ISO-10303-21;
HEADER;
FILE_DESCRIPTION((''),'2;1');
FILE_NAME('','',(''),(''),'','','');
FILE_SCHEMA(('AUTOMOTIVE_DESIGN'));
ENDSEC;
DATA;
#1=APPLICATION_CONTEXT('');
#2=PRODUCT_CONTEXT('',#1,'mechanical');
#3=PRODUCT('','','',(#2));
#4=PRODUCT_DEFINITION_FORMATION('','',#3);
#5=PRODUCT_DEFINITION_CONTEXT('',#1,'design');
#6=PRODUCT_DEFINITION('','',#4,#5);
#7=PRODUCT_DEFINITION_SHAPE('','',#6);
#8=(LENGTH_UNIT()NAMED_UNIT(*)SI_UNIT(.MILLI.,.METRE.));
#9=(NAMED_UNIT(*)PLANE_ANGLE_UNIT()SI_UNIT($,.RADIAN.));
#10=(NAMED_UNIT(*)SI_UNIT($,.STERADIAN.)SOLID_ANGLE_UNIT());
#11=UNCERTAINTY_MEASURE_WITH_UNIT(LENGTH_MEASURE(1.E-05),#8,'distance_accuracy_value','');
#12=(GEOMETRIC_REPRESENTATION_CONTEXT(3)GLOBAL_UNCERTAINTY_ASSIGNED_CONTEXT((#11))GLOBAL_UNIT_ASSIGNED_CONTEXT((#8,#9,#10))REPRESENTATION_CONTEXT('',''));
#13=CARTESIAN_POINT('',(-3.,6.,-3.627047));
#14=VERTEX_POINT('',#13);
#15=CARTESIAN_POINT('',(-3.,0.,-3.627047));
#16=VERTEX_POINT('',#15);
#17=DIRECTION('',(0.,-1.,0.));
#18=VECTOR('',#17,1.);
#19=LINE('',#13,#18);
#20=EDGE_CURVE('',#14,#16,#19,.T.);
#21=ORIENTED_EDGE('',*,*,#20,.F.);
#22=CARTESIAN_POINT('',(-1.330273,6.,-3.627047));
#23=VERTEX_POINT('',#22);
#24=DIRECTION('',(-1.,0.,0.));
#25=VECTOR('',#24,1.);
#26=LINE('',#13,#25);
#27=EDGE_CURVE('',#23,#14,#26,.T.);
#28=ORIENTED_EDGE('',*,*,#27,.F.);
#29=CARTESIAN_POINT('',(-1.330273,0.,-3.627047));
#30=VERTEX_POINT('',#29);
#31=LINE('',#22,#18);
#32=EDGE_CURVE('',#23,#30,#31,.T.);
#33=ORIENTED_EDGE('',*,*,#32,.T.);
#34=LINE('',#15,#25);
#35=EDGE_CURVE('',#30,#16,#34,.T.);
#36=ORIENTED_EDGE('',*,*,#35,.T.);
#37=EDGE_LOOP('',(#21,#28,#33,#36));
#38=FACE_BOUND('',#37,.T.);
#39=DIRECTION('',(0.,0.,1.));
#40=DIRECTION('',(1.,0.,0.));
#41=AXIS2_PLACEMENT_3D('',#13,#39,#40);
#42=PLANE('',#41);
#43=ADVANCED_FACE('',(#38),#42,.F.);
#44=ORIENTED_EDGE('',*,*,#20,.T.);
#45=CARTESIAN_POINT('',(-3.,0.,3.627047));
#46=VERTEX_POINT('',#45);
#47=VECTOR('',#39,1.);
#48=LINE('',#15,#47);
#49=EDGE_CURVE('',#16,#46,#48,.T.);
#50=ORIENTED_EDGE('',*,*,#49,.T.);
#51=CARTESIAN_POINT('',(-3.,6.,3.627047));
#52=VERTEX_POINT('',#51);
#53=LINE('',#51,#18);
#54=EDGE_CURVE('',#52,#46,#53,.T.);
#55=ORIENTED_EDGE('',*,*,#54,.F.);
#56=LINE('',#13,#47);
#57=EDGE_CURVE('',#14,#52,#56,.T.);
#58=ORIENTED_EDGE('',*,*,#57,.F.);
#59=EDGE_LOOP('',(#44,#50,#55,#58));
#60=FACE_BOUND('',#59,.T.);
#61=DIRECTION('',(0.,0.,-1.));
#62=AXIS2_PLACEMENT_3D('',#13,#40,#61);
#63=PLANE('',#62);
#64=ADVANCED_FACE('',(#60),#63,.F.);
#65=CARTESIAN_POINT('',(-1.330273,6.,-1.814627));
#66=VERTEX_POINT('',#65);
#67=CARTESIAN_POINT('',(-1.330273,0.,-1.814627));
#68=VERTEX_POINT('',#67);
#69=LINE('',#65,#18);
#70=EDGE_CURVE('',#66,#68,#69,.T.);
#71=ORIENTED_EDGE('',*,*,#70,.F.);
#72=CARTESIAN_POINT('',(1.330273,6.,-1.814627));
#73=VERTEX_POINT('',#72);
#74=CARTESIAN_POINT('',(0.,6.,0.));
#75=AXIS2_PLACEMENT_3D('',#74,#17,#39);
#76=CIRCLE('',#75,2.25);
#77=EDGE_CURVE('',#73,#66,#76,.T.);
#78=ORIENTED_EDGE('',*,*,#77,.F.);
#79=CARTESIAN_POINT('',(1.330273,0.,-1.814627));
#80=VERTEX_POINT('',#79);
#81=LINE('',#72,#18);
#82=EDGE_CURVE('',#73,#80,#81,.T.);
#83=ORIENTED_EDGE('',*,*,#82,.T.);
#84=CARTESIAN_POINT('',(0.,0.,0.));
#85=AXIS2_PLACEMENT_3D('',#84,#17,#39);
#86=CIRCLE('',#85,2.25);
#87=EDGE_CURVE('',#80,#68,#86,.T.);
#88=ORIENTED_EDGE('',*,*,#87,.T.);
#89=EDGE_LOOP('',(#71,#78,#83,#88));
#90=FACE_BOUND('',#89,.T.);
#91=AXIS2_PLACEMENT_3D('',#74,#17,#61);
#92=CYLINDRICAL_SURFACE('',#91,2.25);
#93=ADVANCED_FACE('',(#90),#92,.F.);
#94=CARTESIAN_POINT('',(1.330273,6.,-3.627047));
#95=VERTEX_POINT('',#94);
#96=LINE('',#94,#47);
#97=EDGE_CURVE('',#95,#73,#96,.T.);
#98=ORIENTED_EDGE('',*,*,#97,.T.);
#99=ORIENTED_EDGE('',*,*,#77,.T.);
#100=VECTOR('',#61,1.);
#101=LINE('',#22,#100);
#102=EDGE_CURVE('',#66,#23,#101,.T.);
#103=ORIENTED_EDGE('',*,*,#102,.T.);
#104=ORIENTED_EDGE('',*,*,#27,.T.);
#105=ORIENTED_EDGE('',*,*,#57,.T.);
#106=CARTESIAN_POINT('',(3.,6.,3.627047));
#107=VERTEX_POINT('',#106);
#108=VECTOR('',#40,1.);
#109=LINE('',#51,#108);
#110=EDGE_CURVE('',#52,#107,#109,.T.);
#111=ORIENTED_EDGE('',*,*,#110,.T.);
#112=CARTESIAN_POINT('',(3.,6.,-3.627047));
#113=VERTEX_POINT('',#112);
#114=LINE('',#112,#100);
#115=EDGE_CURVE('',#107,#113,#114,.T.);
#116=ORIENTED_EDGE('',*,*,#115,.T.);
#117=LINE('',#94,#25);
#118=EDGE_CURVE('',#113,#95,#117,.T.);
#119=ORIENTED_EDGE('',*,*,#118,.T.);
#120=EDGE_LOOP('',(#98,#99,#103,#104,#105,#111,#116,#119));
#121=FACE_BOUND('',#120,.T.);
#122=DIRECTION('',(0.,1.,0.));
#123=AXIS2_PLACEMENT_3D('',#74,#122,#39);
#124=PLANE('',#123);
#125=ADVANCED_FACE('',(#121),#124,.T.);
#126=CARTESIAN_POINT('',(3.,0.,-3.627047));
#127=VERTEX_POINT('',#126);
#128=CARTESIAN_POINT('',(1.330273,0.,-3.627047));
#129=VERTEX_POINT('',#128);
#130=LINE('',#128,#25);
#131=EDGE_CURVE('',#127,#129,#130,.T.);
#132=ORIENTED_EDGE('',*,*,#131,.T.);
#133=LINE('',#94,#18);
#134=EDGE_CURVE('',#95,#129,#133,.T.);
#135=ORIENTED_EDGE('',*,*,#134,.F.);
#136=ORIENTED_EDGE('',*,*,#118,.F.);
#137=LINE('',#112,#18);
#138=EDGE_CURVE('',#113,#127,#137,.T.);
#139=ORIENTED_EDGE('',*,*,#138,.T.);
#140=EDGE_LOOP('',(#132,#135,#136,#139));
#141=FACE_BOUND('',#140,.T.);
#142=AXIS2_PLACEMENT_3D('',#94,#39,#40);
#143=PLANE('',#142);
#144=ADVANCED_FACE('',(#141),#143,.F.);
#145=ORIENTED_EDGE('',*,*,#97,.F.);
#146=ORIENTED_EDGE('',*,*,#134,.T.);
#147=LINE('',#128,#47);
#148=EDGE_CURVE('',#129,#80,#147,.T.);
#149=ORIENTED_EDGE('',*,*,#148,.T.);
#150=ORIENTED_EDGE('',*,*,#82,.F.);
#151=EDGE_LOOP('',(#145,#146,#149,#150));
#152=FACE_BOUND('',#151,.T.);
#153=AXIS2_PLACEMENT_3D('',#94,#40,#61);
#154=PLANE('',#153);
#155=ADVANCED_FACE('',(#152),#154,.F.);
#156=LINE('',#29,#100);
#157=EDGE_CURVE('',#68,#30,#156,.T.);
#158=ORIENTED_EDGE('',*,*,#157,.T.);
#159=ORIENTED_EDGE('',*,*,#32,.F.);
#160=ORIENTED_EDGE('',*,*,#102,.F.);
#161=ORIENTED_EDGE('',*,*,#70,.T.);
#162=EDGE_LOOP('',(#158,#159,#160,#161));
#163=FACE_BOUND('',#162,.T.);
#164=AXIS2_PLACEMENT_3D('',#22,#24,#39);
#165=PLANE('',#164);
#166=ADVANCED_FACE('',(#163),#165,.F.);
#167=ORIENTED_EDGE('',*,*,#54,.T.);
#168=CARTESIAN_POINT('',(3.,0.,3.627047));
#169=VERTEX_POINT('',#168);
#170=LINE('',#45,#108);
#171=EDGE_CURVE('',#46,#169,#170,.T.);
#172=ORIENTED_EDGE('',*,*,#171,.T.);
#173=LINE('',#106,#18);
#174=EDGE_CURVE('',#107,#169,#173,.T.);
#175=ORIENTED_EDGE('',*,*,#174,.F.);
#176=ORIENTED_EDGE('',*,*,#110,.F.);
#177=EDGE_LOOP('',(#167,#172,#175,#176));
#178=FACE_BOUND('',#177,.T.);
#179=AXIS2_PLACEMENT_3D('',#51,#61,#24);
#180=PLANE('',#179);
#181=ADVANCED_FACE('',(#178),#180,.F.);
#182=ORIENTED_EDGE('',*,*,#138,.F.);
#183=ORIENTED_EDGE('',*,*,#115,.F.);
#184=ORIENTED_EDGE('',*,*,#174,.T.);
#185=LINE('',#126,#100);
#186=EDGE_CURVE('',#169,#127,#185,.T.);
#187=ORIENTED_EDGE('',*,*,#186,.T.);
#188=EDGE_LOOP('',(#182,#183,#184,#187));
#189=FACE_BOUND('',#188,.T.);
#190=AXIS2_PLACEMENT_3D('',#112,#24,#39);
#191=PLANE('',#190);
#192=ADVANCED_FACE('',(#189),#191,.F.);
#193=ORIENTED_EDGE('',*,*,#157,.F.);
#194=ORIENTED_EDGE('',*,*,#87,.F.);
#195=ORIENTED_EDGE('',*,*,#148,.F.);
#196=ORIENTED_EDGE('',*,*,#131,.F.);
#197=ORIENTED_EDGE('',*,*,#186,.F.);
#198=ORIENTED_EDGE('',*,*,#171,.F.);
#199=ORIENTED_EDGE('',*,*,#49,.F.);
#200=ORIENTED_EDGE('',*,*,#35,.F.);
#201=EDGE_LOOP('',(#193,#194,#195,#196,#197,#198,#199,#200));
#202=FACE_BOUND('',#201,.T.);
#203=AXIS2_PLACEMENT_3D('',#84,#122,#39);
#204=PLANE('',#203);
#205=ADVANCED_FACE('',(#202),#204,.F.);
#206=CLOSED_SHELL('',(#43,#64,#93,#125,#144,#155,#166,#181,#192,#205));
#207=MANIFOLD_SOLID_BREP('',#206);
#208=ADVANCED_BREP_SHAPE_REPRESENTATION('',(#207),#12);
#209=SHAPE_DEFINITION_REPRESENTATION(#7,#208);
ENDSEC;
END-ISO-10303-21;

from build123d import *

# Parameters (mm, degrees)
EXTRUDE_1_DEPTH = 6


with BuildPart() as part:
    # Эскиз1 → Бобышка-Вытянуть1 (new body)
    with BuildSketch(Plane(origin=(0, 0, 0), x_dir=(1, 0, 0), z_dir=(0, 1, 0))):
        with BuildLine():
            Line((-3, 3.627046628), (-1.330273321, 3.627046628))
            Line((-1.330273321, 3.627046628), (-1.330273321, 1.81462748))
            ThreePointArc((-1.330273321, 1.81462748), (0, -2.25), (1.330273321, 1.81462748))
            Line((1.330273321, 1.81462748), (1.330273321, 3.627046628))
            Line((1.330273321, 3.627046628), (3, 3.627046628))
            Line((3, 3.627046628), (3, -3.627046628))
            Line((3, -3.627046628), (-3, -3.627046628))
            Line((-3, -3.627046628), (-3, 3.627046628))
        make_face()
    extrude(amount=EXTRUDE_1_DEPTH)


solid = part.part
